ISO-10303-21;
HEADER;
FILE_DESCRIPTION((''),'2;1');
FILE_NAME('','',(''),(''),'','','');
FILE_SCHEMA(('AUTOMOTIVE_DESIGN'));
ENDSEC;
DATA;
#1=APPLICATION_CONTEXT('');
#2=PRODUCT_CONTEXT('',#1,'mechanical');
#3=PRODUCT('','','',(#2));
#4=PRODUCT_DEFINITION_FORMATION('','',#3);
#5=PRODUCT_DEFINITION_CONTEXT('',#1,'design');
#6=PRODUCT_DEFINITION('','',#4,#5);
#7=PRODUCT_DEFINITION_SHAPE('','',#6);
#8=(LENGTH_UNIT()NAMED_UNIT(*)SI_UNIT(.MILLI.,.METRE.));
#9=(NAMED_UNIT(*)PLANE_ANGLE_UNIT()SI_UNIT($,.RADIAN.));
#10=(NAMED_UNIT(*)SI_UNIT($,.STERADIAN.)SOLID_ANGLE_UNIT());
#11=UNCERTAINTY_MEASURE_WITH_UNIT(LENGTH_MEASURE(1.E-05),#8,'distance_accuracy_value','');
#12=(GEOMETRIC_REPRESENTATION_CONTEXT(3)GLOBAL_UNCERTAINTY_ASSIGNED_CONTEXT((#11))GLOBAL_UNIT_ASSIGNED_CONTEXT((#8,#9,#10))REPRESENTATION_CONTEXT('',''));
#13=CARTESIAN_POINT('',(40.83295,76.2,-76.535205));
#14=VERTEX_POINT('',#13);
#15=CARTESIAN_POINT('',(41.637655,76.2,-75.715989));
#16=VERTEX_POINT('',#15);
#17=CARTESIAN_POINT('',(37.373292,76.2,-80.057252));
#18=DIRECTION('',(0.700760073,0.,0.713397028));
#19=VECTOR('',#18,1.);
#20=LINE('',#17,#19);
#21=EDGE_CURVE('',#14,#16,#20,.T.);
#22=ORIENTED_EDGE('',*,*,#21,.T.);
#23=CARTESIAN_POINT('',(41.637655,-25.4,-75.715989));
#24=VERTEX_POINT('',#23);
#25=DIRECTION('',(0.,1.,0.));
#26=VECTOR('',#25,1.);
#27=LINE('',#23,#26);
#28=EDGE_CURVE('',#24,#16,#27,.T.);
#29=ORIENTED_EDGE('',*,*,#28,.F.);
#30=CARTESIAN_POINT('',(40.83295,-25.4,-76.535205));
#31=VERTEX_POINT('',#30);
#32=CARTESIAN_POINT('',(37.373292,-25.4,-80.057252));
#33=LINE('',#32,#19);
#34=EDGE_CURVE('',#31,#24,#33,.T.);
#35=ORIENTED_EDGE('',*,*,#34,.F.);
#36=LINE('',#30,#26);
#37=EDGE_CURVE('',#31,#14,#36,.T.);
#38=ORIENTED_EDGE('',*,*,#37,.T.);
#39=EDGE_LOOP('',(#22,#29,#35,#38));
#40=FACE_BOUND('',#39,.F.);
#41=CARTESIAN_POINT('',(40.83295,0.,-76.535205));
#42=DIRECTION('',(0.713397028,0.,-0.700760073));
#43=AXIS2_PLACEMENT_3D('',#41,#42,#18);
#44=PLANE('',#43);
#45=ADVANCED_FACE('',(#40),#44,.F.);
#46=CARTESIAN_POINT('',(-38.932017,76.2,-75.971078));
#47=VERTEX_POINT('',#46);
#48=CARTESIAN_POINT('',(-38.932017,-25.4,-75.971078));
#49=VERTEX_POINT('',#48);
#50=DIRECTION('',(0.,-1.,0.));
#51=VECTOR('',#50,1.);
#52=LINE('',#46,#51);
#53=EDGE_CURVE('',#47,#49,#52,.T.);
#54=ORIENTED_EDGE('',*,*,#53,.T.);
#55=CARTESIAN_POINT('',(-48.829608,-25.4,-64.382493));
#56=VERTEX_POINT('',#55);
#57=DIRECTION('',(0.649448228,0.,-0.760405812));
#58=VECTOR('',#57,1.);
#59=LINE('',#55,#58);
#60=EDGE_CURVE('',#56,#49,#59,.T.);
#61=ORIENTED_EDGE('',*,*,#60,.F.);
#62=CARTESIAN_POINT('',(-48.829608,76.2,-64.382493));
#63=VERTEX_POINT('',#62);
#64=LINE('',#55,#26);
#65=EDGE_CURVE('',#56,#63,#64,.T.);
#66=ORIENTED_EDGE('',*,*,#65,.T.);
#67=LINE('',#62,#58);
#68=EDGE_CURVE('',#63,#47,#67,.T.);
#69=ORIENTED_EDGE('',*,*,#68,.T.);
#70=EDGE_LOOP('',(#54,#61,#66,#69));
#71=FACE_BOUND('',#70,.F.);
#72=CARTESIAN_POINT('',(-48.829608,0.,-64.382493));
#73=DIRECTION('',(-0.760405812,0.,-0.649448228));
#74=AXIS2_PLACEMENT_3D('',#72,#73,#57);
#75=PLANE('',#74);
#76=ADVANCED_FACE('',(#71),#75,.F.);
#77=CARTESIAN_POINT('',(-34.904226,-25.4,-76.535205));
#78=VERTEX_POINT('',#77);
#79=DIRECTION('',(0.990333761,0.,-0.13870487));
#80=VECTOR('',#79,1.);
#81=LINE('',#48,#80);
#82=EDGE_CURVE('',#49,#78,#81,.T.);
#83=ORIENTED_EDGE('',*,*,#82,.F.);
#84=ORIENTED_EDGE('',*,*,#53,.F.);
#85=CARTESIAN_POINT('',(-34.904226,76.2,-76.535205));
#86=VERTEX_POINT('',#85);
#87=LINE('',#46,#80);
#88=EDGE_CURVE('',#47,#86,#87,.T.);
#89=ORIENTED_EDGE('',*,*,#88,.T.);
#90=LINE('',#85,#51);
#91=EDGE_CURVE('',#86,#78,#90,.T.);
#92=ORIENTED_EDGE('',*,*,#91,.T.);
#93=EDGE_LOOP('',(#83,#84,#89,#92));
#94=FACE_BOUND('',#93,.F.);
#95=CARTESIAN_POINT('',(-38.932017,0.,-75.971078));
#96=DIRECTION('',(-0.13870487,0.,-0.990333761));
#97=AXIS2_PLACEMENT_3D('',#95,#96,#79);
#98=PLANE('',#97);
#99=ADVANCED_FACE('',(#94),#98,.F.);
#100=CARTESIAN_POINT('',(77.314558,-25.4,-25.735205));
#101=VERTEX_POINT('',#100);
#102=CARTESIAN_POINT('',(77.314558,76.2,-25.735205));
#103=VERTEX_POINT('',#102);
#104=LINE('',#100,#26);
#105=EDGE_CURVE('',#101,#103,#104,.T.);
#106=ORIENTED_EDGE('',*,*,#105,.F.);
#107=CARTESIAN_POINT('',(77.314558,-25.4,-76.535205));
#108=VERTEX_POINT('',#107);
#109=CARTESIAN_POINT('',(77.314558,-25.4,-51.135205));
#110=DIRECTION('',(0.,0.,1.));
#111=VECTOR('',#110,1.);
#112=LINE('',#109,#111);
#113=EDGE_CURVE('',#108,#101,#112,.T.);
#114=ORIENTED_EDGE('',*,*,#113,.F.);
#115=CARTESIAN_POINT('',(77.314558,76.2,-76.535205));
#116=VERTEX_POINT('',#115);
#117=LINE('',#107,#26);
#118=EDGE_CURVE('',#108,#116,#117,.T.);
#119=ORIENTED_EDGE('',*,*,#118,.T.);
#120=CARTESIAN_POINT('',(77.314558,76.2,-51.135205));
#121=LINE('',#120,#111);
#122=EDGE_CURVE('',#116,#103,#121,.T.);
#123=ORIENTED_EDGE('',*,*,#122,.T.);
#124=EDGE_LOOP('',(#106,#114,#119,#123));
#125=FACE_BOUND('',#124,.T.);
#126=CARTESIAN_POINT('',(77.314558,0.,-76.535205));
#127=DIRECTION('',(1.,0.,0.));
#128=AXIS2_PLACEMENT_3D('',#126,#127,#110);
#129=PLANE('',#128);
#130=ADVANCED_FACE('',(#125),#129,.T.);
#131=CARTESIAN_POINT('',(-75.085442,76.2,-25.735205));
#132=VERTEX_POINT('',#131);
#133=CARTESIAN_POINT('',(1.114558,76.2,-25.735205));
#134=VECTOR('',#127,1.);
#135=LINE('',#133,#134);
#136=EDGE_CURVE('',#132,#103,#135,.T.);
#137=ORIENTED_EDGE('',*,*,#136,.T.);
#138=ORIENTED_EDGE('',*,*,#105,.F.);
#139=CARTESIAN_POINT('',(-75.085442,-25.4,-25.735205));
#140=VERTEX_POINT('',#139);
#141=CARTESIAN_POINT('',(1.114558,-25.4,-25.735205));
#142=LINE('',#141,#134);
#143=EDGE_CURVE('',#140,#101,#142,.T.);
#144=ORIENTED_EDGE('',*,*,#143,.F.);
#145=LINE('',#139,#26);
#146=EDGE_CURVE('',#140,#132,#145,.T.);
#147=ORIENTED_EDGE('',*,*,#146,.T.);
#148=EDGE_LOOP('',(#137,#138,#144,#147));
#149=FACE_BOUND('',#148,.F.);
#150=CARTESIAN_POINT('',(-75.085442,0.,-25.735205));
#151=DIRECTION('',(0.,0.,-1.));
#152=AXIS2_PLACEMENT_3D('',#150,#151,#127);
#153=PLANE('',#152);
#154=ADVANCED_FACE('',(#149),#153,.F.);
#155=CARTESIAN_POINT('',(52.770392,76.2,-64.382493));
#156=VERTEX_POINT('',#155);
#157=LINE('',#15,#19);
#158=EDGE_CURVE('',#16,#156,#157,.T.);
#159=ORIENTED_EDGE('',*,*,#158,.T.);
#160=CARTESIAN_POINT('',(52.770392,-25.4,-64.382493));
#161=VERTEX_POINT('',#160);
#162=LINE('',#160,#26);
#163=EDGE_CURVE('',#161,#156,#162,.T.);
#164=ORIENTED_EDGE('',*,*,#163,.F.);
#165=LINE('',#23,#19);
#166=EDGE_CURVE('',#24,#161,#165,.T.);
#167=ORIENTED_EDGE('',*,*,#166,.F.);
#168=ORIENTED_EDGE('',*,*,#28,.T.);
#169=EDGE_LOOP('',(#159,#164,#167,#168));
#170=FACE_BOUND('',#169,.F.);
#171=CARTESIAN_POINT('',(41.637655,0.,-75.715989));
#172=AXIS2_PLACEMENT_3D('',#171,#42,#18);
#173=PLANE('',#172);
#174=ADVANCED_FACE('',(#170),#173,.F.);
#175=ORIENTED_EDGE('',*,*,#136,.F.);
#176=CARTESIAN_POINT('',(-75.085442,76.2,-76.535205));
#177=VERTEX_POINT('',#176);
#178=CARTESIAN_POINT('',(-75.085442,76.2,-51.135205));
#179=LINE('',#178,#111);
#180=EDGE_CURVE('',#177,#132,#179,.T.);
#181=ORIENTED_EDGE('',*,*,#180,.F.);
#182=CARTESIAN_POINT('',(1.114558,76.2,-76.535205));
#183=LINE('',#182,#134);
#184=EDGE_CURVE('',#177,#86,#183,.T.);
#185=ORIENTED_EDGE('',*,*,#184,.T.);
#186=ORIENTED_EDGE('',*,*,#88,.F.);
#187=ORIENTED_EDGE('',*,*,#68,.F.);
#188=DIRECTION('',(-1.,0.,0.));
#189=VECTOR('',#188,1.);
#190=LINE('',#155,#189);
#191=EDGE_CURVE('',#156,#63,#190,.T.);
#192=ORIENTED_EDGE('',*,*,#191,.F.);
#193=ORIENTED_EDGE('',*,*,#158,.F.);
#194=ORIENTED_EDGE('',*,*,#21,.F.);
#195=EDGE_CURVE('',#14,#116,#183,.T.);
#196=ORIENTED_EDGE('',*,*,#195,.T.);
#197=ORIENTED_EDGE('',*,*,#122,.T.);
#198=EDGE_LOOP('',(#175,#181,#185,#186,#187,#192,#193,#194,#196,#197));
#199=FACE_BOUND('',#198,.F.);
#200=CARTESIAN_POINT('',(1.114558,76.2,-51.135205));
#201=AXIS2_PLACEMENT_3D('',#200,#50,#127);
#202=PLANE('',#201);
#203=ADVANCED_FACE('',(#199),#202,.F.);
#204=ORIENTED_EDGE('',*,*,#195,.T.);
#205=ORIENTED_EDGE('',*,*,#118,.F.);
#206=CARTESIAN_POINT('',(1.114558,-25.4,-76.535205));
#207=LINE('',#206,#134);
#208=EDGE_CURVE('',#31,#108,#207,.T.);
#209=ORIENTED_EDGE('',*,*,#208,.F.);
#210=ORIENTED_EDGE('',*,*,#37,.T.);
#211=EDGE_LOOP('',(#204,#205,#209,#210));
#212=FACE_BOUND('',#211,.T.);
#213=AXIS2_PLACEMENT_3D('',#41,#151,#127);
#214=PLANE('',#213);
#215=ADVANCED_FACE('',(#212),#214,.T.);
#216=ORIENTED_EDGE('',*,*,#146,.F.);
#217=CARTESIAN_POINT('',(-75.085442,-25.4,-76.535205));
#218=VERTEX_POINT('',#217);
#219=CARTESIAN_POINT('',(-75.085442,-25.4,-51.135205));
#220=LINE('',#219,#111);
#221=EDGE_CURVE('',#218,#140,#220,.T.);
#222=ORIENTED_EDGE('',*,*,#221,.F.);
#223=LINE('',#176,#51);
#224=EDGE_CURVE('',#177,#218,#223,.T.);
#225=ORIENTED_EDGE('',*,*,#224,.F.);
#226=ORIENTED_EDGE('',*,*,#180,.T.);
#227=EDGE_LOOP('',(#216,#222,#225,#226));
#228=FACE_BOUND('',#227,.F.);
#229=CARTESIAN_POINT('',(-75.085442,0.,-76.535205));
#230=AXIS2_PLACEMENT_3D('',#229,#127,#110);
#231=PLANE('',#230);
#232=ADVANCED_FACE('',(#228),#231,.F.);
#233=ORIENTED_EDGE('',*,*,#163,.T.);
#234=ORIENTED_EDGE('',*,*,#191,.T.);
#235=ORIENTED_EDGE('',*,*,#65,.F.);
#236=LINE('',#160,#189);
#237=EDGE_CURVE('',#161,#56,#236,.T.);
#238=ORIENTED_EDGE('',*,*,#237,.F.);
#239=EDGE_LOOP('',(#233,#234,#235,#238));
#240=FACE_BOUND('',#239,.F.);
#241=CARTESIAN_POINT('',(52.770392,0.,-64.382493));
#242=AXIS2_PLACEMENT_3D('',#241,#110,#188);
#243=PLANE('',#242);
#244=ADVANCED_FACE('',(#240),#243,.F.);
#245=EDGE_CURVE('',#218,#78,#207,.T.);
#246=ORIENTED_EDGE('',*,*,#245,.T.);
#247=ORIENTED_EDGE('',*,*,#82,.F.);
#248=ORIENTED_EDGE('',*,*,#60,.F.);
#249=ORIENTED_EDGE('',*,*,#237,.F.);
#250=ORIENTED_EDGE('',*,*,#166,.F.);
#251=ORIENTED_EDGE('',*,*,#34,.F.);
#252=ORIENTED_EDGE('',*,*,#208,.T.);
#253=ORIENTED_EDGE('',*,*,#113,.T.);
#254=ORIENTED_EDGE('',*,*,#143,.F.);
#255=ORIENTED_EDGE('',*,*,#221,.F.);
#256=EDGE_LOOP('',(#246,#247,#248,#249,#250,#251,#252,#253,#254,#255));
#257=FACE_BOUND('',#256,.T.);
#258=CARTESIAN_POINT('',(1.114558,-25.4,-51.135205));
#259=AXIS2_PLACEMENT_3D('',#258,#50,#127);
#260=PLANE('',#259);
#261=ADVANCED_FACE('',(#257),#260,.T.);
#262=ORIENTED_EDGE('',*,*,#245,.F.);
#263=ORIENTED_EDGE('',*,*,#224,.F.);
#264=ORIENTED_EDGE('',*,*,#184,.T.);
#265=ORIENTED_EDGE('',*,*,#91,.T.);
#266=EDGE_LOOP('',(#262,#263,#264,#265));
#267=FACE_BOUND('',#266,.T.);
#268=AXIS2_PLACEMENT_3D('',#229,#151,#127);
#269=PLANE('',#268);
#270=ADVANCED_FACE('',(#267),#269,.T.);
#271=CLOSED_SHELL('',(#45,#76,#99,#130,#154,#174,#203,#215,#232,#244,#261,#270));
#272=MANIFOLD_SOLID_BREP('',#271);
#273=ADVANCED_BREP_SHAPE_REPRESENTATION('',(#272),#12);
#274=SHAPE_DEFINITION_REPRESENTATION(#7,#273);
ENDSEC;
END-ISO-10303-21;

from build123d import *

# Parameters (mm, degrees)
F0_W     = 152.4
F0_H     = 50.8
F1_DEPTH = 25.4
F4_DEPTH = 25.4
F5_DEPTH = 76.2


with BuildPart() as f1:
    # F0 (on Front) → F1 (new body)
    with BuildSketch(Plane.XZ):
        with Locations((1.1145584285, -51.1352052836)):
            Rectangle(F0_W, F0_H)
    extrude(amount=F1_DEPTH)

    # F3 (on face) → F4 (cut)
    with BuildSketch(Plane.XZ.offset(25.4)):
        Polygon((52.7703917205, -64.3824934959), (-48.8296082795, -64.3824934959), (-38.9320172776, -75.971078067), (-3.4057565499, -80.9468403459), (37.3732924352, -80.0572519513), (41.6376553476, -75.7159888744), align=None)
    extrude(amount=-F4_DEPTH, mode=Mode.SUBTRACT)

    # F5 (add): a face of the model
    f5_faces = [f1.faces().sort_by_distance(p)[0] for p in [
        (1.0289602376, 0, -47.9835586604),
    ]]
    extrude(f5_faces, amount=F5_DEPTH)


solid = f1.part
